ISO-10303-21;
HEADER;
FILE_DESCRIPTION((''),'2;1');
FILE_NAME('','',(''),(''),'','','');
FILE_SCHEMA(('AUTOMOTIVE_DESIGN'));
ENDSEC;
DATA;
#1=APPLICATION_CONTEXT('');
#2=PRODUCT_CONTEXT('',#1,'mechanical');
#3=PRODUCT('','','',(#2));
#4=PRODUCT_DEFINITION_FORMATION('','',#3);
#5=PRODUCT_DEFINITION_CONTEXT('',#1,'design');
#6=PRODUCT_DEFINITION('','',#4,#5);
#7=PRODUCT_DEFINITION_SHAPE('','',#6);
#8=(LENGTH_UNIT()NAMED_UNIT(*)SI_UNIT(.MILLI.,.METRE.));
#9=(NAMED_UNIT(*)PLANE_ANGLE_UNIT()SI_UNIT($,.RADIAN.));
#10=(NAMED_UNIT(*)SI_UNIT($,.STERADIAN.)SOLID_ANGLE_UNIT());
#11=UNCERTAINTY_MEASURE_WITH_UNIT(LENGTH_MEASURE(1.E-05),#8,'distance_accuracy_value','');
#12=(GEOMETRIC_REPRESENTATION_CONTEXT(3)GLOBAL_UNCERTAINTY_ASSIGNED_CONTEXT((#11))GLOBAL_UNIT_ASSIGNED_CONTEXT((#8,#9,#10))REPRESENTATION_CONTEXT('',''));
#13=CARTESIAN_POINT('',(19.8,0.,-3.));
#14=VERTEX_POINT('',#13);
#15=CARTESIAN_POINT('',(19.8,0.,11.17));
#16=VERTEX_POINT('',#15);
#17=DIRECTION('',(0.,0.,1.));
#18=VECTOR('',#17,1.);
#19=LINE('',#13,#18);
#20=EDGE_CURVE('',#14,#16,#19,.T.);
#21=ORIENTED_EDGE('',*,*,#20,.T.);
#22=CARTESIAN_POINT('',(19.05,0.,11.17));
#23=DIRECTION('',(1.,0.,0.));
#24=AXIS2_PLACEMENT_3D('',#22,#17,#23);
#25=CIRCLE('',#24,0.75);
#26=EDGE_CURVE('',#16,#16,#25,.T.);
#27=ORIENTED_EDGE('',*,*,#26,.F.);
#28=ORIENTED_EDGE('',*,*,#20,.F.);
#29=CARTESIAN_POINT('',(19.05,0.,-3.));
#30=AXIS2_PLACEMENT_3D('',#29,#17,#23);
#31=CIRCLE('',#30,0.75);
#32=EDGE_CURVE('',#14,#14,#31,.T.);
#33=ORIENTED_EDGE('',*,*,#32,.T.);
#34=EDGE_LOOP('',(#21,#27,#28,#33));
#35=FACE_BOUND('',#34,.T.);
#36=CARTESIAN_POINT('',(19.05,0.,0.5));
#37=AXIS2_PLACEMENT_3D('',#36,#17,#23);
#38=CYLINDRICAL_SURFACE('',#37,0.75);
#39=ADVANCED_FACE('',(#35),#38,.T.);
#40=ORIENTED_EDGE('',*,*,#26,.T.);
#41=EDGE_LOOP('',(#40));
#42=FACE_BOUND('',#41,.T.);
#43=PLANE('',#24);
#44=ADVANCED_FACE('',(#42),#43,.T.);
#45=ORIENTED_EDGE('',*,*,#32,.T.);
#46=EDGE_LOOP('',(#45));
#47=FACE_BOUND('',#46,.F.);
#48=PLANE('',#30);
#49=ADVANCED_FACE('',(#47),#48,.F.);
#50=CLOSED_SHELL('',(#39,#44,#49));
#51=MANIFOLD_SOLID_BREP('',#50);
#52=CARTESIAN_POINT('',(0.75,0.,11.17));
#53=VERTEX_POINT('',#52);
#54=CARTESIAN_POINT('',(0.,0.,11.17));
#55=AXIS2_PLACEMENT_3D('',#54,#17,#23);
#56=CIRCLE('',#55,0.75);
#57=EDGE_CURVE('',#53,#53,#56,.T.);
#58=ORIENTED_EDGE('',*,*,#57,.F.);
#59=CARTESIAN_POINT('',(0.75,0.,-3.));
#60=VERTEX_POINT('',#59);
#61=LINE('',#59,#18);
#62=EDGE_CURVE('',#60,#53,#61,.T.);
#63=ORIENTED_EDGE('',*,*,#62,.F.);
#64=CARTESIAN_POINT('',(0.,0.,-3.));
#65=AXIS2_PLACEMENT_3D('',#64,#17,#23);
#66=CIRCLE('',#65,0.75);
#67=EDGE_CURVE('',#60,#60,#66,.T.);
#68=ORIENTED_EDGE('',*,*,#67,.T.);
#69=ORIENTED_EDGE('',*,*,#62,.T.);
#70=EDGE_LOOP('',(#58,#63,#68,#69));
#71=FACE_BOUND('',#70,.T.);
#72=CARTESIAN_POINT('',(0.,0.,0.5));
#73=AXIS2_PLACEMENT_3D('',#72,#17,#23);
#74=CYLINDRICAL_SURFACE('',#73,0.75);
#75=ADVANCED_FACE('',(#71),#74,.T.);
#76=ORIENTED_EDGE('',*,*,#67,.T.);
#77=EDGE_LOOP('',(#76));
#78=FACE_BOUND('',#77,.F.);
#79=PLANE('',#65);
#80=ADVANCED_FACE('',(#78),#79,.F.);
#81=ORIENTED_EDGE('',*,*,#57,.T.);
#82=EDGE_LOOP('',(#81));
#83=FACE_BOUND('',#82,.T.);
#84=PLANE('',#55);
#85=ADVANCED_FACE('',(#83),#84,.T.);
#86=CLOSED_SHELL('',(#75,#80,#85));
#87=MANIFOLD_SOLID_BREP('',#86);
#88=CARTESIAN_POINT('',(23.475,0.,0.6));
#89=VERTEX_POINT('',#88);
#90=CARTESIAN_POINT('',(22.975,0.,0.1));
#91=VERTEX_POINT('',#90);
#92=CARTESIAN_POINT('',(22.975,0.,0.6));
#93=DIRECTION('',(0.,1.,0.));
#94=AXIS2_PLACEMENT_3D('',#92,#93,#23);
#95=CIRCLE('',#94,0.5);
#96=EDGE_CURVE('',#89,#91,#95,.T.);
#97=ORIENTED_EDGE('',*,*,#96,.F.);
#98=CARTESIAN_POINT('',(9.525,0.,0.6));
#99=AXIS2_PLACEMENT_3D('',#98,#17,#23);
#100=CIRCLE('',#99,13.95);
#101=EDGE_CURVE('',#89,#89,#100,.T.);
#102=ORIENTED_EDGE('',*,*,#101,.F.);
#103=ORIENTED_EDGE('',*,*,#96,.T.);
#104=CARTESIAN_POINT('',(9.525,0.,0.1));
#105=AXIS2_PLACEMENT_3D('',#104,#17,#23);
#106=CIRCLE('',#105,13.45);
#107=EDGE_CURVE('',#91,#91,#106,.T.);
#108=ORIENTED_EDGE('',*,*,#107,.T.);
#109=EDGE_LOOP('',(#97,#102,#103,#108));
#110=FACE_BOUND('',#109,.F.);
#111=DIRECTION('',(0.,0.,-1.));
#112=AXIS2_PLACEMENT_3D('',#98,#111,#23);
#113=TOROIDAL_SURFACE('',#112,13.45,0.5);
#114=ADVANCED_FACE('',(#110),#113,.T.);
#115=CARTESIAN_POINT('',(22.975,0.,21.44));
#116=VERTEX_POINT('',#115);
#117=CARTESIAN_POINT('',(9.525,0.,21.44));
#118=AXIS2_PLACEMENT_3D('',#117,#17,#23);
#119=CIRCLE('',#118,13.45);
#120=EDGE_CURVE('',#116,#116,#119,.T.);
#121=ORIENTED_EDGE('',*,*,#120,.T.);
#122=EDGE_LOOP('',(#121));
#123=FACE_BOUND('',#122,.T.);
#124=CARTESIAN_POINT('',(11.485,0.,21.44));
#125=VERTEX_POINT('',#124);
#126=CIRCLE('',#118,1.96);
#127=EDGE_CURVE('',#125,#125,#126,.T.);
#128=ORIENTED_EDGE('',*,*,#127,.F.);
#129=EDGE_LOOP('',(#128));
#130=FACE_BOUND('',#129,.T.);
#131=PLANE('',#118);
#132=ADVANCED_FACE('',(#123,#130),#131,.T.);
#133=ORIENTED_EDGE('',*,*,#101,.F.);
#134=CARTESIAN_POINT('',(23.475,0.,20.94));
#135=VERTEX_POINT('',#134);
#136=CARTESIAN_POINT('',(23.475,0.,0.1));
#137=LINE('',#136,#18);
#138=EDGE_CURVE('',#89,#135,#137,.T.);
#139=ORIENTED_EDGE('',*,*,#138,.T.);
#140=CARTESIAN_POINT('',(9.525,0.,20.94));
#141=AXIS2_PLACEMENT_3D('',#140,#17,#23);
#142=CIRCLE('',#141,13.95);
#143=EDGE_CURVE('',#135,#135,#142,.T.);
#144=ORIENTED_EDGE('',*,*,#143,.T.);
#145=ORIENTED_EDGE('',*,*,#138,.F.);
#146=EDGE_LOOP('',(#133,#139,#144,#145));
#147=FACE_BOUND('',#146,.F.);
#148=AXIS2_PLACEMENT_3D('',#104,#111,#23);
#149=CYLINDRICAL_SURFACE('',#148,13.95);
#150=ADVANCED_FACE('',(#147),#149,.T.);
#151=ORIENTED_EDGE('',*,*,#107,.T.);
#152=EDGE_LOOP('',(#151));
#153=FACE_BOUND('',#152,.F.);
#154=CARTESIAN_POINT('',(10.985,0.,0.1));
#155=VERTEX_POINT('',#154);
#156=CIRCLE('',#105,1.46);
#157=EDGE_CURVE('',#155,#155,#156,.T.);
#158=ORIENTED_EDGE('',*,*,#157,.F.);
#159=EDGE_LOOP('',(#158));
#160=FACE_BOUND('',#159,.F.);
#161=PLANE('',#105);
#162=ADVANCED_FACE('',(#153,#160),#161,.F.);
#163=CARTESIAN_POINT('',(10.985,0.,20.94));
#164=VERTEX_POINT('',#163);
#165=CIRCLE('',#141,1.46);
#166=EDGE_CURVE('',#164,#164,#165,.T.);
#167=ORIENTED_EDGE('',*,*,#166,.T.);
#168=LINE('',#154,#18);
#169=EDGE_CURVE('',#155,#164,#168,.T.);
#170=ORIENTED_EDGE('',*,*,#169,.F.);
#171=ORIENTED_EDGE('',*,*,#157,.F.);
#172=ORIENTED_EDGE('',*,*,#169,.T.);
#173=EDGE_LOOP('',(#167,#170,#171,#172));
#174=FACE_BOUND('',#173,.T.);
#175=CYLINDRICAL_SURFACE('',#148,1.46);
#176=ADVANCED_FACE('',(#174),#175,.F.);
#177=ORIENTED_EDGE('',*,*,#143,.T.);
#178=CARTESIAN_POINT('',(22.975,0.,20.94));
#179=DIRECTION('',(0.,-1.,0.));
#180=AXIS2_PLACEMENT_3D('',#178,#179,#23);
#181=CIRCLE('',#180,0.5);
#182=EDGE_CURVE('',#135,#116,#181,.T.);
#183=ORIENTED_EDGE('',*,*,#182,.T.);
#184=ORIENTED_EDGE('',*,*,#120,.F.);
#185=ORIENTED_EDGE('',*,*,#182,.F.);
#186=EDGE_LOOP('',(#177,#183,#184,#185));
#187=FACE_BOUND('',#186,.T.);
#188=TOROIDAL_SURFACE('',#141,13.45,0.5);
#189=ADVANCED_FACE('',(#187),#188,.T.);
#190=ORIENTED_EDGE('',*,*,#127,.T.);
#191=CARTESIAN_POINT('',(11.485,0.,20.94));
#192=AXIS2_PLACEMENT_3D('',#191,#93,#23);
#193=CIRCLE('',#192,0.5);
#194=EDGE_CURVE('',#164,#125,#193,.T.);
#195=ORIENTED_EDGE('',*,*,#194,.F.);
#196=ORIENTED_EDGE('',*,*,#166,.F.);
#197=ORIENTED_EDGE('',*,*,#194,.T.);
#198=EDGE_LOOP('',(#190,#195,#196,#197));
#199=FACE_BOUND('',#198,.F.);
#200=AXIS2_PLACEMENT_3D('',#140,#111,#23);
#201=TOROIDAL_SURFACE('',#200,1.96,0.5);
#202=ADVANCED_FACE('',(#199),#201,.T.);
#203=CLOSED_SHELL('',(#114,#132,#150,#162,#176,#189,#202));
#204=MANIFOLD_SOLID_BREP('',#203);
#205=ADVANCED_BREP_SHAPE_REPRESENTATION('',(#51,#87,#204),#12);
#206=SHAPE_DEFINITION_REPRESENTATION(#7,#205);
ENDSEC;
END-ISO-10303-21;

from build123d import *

# Parameters (mm, degrees)
SKETCH001_R       = 0.75
PAD001_DEPTH      = 10.67
PAD001_DEPTH_BACK = 3.5
SKETCH_R          = 13.95
SKETCH_R_2        = 1.46
PAD_DEPTH         = 21.34
FILLET_R          = 0.5


with BuildPart() as pad001:
    # Sketch001 → Pad001 (new body, two sides)
    with BuildSketch(Plane.XY.offset(0.5)) as pad001_sk:
        Circle(SKETCH001_R)
        with Locations((19.05, 0)):
            Circle(SKETCH001_R)
    extrude(amount=PAD001_DEPTH)
    extrude(pad001_sk.sketch, amount=-PAD001_DEPTH_BACK)


with BuildPart() as fillet_body:
    # Sketch → Pad (new body)
    with BuildSketch(Plane.XY.offset(0.1)):
        with Locations((9.525, 0)):
            Circle(SKETCH_R)
        with Locations((9.525, 0)):
            Circle(SKETCH_R_2, mode=Mode.SUBTRACT)
    extrude(amount=PAD_DEPTH)

    # Fillet
    fillet_edges = [fillet_body.edges().sort_by_distance(p)[0] for p in [
        (8.065, 0, 21.44),
        (-4.425, 0, 21.44),
        (-4.425, 0, 0.1),
    ]]
    fillet(fillet_edges, radius=FILLET_R)


solid = Compound([pad001.part, fillet_body.part])
